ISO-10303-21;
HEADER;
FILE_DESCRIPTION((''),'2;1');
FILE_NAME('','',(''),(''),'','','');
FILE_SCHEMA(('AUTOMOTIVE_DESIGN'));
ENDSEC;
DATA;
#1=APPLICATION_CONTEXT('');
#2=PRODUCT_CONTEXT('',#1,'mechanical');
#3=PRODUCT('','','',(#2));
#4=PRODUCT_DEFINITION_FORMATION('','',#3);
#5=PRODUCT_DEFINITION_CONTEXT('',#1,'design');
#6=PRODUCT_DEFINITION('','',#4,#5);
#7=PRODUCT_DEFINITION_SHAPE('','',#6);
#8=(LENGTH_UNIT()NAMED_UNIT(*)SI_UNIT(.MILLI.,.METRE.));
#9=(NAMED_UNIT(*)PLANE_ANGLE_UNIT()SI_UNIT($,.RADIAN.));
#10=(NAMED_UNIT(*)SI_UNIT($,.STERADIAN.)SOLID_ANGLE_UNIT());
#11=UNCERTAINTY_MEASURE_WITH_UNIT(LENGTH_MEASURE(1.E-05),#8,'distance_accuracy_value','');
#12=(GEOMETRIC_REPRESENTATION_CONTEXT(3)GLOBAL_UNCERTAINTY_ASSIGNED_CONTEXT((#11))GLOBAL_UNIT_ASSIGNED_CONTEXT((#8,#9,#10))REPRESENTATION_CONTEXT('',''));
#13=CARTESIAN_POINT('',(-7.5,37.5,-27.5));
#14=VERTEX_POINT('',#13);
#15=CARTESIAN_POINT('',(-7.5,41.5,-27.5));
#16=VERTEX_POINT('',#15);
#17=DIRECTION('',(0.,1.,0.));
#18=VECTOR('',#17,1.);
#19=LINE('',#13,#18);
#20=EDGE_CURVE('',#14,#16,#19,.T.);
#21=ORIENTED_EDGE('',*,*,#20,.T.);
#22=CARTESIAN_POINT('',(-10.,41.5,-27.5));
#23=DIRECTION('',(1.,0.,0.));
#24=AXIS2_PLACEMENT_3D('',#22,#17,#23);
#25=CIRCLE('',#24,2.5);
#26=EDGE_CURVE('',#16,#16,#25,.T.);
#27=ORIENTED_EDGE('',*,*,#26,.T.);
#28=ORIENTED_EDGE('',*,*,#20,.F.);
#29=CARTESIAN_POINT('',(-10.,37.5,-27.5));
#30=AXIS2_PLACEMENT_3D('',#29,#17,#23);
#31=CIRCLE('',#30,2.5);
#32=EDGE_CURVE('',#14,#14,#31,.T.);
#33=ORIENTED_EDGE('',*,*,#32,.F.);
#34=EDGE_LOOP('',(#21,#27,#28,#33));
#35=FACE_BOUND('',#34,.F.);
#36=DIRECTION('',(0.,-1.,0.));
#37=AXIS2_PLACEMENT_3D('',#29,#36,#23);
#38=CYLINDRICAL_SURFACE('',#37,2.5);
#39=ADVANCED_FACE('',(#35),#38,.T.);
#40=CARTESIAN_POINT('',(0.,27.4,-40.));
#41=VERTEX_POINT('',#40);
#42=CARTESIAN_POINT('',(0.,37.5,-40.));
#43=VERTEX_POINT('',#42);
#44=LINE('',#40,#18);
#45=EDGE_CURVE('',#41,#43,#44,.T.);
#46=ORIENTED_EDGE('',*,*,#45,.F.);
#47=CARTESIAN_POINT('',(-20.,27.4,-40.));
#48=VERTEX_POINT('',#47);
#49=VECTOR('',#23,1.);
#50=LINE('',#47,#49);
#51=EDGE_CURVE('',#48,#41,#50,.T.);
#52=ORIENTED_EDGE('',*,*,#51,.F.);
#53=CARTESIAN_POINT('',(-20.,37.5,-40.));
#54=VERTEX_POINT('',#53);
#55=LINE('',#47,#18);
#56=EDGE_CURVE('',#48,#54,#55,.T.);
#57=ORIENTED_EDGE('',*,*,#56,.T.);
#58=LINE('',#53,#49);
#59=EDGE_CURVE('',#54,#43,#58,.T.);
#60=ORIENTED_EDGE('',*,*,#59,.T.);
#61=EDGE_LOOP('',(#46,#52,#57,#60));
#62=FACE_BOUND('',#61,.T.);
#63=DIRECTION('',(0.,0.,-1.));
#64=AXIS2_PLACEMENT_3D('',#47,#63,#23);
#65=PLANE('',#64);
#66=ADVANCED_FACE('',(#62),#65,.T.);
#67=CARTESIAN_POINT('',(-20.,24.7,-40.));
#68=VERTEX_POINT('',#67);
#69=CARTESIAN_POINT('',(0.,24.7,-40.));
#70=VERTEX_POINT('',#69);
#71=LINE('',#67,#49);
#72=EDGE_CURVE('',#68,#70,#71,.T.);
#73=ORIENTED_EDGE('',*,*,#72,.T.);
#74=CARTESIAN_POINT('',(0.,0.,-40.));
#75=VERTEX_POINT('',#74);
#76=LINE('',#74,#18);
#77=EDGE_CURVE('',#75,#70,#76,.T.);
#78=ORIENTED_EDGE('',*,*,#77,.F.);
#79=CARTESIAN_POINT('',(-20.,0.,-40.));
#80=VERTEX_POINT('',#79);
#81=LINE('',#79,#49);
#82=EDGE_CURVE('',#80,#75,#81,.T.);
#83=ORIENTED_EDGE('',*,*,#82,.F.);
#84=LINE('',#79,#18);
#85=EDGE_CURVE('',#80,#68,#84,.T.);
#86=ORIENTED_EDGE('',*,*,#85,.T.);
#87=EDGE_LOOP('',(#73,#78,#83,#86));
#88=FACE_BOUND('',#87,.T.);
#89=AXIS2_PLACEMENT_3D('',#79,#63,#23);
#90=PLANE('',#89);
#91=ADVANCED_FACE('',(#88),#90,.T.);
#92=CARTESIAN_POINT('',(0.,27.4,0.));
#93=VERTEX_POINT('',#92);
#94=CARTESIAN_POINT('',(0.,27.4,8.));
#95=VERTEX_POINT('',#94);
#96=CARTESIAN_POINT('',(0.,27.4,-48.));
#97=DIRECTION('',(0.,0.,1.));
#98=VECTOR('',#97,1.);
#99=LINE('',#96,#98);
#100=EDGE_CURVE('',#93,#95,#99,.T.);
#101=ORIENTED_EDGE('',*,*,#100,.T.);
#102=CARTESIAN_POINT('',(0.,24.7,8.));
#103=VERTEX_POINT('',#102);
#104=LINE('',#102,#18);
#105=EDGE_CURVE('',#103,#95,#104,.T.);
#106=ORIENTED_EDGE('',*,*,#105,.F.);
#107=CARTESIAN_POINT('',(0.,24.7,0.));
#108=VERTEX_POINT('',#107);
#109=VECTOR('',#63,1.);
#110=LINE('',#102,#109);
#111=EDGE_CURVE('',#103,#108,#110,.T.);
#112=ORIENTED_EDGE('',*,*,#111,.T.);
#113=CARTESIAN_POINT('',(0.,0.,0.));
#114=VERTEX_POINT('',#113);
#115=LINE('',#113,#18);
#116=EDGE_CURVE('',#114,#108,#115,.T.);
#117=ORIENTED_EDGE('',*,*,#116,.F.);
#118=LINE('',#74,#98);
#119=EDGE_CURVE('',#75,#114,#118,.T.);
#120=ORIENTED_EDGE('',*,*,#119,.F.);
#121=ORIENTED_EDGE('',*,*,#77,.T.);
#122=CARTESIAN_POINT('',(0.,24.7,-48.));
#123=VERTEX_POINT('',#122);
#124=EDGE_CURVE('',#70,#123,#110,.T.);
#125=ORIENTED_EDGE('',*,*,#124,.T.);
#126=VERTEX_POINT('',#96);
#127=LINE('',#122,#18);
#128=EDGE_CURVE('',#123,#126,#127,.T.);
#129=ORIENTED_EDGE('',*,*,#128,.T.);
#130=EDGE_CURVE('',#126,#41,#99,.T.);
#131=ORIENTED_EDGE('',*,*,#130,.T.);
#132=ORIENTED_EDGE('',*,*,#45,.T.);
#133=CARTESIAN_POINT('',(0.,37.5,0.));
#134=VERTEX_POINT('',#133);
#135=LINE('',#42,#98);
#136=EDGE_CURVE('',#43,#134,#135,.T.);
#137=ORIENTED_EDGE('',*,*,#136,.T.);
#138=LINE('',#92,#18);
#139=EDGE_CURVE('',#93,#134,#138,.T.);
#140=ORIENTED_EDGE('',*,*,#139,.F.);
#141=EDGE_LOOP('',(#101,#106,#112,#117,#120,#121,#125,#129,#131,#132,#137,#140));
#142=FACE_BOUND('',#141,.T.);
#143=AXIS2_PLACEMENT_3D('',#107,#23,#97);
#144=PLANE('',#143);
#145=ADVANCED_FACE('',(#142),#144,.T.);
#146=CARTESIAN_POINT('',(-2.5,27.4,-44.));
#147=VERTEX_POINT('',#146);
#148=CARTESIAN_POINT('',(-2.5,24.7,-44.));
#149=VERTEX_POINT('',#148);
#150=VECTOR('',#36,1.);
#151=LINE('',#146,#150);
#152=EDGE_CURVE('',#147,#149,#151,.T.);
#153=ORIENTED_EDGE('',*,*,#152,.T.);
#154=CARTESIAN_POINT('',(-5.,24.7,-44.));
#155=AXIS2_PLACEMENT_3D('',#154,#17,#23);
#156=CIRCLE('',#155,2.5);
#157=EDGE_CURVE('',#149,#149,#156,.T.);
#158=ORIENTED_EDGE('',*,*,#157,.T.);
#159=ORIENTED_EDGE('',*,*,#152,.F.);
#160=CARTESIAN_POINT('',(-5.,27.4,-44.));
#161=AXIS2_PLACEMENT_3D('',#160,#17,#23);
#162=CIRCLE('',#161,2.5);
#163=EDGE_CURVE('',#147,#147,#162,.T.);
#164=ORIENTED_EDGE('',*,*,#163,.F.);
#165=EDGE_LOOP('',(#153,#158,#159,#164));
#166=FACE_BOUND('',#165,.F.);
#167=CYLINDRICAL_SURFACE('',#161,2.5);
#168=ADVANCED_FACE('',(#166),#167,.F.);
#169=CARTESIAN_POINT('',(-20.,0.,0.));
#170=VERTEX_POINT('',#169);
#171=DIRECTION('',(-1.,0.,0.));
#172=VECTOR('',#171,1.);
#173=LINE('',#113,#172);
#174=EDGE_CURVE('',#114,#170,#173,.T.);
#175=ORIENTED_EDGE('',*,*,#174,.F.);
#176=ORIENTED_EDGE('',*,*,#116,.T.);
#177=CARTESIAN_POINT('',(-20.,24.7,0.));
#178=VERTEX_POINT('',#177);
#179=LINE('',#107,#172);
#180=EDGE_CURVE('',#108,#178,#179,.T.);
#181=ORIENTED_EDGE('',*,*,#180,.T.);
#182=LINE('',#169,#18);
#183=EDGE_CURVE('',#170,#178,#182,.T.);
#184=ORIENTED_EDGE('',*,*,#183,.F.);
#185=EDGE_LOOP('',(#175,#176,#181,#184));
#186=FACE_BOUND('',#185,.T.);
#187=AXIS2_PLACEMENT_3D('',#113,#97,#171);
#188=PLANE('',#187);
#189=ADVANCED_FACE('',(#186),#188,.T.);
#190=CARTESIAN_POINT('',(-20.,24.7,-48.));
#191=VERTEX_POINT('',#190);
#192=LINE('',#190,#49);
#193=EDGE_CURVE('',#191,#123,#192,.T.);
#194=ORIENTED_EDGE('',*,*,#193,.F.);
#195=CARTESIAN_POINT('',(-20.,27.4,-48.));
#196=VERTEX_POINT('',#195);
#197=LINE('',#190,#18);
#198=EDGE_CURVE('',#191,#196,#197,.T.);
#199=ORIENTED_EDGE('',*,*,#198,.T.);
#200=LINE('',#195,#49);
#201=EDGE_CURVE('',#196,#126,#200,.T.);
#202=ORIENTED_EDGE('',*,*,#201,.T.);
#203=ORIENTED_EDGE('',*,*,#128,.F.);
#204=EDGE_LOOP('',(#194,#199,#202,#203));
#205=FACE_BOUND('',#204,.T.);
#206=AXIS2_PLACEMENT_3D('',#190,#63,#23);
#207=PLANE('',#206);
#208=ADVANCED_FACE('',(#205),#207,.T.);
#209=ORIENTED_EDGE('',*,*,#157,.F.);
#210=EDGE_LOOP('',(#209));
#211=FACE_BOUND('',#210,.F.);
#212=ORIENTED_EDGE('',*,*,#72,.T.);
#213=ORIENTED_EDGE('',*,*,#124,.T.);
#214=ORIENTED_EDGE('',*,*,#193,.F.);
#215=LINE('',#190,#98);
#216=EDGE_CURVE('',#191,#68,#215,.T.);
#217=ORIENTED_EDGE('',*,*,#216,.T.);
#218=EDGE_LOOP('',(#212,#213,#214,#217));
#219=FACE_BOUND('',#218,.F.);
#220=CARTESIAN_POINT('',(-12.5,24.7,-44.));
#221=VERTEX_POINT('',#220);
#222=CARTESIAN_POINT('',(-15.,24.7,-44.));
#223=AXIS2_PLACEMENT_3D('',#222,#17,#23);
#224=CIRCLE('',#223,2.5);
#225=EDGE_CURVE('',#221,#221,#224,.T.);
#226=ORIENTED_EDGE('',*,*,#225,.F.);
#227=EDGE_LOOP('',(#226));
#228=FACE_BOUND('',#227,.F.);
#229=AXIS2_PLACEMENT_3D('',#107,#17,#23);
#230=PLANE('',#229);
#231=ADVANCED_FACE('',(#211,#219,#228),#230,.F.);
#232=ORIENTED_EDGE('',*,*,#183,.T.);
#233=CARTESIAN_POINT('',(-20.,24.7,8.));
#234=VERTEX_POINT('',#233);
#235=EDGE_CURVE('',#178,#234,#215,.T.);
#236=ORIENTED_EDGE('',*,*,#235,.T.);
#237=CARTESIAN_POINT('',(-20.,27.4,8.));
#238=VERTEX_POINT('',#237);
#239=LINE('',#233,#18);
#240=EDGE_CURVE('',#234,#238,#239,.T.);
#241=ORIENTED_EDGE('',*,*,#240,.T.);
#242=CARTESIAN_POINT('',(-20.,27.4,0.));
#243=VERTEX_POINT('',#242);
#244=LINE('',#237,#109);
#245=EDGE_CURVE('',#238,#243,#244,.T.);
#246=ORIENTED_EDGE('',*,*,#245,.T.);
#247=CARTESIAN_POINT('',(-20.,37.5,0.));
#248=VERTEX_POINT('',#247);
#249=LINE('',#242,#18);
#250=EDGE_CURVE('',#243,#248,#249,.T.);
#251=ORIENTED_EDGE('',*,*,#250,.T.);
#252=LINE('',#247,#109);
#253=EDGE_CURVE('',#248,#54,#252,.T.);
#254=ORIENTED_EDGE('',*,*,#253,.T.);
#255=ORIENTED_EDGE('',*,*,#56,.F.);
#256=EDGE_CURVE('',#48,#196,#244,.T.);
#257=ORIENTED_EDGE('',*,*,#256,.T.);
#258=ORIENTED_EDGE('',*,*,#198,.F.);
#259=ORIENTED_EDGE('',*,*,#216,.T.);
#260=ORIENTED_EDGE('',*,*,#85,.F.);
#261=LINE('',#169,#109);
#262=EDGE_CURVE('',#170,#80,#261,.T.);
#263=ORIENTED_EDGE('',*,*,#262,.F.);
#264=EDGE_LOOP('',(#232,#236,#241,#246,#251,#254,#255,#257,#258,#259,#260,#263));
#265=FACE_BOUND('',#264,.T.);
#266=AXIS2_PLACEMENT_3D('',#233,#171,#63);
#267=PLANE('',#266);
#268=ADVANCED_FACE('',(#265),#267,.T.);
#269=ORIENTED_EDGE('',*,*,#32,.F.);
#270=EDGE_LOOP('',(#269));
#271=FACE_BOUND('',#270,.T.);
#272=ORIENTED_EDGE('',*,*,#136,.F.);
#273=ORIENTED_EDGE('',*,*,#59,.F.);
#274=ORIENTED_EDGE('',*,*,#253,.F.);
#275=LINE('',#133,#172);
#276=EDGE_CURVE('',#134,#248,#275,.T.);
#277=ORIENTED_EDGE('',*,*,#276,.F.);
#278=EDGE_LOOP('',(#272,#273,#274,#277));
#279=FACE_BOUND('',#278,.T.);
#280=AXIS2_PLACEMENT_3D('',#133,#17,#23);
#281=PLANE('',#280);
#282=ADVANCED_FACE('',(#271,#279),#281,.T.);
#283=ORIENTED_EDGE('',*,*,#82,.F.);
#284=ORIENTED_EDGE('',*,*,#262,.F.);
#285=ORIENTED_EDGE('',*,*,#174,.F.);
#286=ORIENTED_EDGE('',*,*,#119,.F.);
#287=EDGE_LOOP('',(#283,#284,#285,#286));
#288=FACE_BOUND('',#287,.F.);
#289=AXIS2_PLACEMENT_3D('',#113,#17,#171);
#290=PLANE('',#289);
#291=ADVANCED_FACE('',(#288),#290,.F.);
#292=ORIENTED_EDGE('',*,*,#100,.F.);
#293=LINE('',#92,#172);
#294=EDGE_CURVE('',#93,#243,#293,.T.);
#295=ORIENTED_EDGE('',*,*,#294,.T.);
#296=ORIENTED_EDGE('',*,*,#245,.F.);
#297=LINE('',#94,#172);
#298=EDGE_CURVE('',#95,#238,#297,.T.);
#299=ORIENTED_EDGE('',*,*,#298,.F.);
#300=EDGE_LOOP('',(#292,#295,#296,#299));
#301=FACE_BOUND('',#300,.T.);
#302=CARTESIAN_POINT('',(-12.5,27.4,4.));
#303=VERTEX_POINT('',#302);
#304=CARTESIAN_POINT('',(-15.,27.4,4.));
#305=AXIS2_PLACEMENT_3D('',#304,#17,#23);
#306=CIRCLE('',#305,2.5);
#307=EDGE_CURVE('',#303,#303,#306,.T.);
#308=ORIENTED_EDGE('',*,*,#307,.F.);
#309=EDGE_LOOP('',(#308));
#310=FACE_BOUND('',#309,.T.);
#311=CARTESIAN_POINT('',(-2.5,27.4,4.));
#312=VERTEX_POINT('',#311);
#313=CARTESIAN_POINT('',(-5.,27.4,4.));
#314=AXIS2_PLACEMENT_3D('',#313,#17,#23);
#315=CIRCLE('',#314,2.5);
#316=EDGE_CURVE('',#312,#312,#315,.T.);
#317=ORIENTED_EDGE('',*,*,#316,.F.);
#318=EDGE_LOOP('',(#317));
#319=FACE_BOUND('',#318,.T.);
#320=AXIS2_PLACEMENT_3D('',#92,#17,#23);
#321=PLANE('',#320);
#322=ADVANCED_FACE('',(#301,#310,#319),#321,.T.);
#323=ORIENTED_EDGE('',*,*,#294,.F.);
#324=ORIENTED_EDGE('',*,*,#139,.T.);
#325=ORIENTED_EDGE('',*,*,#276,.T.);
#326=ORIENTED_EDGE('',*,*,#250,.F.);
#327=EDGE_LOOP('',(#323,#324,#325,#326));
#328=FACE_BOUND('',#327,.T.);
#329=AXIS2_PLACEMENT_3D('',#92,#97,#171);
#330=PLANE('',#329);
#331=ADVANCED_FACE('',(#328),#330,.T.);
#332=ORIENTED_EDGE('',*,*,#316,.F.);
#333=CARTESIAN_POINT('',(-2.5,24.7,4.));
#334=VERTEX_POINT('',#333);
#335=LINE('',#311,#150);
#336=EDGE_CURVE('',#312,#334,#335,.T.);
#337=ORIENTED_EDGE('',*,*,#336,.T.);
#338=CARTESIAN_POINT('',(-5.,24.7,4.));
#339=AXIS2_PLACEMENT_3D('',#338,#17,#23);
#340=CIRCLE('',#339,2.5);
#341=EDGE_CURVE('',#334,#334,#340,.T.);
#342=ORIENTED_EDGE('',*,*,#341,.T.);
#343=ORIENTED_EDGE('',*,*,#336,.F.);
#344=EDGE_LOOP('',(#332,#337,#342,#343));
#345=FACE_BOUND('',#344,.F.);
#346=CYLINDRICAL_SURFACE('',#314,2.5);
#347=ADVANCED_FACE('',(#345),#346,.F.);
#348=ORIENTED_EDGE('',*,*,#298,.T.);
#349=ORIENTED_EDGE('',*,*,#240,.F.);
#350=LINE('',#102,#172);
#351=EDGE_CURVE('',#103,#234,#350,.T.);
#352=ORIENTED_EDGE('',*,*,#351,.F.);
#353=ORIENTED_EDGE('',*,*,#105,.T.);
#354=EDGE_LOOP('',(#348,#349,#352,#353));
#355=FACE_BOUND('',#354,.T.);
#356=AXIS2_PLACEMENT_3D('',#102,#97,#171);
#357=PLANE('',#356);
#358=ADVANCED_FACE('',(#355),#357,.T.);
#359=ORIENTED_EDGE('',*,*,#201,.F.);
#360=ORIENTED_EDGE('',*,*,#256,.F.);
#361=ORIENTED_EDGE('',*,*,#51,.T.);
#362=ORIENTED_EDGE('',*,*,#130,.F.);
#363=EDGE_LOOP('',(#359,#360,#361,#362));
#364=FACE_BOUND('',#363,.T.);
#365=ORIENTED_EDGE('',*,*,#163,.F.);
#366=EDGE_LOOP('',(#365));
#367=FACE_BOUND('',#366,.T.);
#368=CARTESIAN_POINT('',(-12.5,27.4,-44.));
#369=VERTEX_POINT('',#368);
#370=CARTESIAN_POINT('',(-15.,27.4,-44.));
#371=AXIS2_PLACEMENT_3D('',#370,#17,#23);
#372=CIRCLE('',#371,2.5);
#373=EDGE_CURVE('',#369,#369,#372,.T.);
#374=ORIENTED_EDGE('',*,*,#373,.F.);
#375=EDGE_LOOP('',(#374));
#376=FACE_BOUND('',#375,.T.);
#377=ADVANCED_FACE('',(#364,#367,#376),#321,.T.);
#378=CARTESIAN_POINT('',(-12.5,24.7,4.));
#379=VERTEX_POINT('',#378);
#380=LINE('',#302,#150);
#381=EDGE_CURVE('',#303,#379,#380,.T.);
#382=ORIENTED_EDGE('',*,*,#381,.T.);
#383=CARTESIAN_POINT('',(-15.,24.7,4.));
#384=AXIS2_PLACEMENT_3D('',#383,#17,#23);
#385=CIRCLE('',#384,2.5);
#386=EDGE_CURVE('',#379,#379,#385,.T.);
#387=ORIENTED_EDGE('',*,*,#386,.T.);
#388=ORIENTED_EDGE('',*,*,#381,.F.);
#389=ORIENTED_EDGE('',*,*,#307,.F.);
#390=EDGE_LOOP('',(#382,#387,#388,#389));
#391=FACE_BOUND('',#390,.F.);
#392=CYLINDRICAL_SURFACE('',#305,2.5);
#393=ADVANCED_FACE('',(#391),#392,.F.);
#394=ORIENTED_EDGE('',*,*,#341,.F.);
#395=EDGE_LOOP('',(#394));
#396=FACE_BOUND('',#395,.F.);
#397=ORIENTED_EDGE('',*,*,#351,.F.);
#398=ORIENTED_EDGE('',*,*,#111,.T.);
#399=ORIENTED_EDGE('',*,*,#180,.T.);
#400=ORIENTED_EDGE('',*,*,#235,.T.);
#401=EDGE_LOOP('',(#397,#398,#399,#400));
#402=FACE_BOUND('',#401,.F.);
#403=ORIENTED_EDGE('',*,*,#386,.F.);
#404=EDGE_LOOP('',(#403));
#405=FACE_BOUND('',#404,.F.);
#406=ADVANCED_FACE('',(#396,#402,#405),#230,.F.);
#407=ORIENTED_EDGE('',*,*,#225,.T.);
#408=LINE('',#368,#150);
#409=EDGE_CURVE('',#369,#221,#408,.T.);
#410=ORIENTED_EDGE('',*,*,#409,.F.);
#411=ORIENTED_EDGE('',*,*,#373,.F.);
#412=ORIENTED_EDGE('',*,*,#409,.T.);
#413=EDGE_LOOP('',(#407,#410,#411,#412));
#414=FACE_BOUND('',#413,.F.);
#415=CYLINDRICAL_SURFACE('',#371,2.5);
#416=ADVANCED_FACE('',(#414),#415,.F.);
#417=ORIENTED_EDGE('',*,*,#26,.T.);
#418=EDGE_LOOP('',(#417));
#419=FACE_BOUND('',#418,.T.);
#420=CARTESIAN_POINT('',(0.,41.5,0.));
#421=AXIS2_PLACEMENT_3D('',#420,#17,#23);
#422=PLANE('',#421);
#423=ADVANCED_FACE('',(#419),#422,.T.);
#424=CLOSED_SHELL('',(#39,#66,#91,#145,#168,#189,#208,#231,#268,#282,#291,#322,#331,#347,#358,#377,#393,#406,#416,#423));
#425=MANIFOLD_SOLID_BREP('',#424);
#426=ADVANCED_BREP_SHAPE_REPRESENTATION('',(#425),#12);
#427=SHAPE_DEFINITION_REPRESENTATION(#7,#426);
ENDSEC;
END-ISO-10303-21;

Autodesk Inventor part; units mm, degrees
ref_plane "YZ Plane" through (0, 0, 0) normal (1, 0, 0) x (0, 1, 0)
ref_plane "XZ Plane" through (0, 0, 0) normal (0, 1, 0) x (-1, 0, 0)
ref_plane "XY Plane" through (0, 0, 0) normal (0, 0, 1) x (1, 0, 0)
sketch "Sketch1" plane through (0, 0, 0) normal (0, 1, 0) x (-1, 0, 0)
  line L0 (0, 0) -> (20, 0)
  line L1 (20, 0) -> (20, -40)
  line L2 (20, -40) -> (0, -40)
  line L3 (0, -40) -> (0, 0)
  dimension "d0" = 40
  dimension "d1" = 20
extrude "Extrusion1" add sketch "Sketch1" along normal blind 24.7
sketch "Sketch2" plane through (0, 24.7, 0) normal (0, 1, 0) x (1, 0, 0)
  line L0 (0, -8) -> (-20, -8)
  line L1 (-20, -8) -> (-20, 48)
  line L2 (-20, 48) -> (0, 48)
  line L3 (0, 48) -> (0, -8)
  line L4 (-20, 40) -> (-20, 0) projected
  line L5 (-20, 0) -> (0, 0) projected
  dimension "d4" = 56
  dimension "d5" = 20
  dimension "d6" = 0
  dimension "d7" = 8
extrude "Extrusion2" add sketch "Sketch2" along normal blind 2.7
sketch "Sketch3" plane through (0, 27.4, 0) normal (0, 1, 0) x (1, 0, 0)
  line L0 (-20, 48) -> (-20, 40) projected
  line L1 (0, 0) -> (-20, 0)
  line L2 (-20, 0) -> (-20, 40)
  line L3 (-20, 40) -> (0, 40)
  line L4 (0, 40) -> (0, 0)
extrude "Extrusion3" add sketch "Sketch3" along normal blind 10.1
sketch "Sketch4" plane through (0, 37.5, 0) normal (0, 1, 0) x (1, 0, 0)
  circle A0 centre (-10, 27.5) radius 2.5
  line L0 (0, 40) -> (-20, 40) projected
  line L1 (0, 0) -> (0, 40) projected
  dimension "d12" = 12.5
  dimension "d13" = 5
  dimension "d16" = 10
extrude "Extrusion4" add sketch "Sketch4" along normal blind 4
sketch "Sketch5" plane through (0, 27.4, 0) normal (0, 1, 0) x (1, 0, 0)
  circle A0 centre (-5, -4) radius 2.5
  circle A1 centre (-15, -4) radius 2.5
  line L0 (-20, 0) -> (-20, -8) projected
  line L1 (0, -8) -> (0, 0) projected
  line L2 (-20, -8) -> (0, -8) projected
  line L3 (17.0621, 20) -> (-50.3662, 20) construction
  line L4 (-20, 0) -> (0, 0) projected
  circle A2 centre (-5, 44) radius 2.5
  circle A3 centre (-15, 44) radius 2.5
  dimension "d17" = 5
  dimension "d18" = 5
  dimension "d19" = 5
  dimension "d20" = 4
  dimension "d21" = 4
  dimension "d22" = 20
extrude "Extrusion5" cut sketch "Sketch5" against normal blind 4 contours A0 | A1 | A2 | A3
equation "\"d21\" = d20"
properties part number "motor"
